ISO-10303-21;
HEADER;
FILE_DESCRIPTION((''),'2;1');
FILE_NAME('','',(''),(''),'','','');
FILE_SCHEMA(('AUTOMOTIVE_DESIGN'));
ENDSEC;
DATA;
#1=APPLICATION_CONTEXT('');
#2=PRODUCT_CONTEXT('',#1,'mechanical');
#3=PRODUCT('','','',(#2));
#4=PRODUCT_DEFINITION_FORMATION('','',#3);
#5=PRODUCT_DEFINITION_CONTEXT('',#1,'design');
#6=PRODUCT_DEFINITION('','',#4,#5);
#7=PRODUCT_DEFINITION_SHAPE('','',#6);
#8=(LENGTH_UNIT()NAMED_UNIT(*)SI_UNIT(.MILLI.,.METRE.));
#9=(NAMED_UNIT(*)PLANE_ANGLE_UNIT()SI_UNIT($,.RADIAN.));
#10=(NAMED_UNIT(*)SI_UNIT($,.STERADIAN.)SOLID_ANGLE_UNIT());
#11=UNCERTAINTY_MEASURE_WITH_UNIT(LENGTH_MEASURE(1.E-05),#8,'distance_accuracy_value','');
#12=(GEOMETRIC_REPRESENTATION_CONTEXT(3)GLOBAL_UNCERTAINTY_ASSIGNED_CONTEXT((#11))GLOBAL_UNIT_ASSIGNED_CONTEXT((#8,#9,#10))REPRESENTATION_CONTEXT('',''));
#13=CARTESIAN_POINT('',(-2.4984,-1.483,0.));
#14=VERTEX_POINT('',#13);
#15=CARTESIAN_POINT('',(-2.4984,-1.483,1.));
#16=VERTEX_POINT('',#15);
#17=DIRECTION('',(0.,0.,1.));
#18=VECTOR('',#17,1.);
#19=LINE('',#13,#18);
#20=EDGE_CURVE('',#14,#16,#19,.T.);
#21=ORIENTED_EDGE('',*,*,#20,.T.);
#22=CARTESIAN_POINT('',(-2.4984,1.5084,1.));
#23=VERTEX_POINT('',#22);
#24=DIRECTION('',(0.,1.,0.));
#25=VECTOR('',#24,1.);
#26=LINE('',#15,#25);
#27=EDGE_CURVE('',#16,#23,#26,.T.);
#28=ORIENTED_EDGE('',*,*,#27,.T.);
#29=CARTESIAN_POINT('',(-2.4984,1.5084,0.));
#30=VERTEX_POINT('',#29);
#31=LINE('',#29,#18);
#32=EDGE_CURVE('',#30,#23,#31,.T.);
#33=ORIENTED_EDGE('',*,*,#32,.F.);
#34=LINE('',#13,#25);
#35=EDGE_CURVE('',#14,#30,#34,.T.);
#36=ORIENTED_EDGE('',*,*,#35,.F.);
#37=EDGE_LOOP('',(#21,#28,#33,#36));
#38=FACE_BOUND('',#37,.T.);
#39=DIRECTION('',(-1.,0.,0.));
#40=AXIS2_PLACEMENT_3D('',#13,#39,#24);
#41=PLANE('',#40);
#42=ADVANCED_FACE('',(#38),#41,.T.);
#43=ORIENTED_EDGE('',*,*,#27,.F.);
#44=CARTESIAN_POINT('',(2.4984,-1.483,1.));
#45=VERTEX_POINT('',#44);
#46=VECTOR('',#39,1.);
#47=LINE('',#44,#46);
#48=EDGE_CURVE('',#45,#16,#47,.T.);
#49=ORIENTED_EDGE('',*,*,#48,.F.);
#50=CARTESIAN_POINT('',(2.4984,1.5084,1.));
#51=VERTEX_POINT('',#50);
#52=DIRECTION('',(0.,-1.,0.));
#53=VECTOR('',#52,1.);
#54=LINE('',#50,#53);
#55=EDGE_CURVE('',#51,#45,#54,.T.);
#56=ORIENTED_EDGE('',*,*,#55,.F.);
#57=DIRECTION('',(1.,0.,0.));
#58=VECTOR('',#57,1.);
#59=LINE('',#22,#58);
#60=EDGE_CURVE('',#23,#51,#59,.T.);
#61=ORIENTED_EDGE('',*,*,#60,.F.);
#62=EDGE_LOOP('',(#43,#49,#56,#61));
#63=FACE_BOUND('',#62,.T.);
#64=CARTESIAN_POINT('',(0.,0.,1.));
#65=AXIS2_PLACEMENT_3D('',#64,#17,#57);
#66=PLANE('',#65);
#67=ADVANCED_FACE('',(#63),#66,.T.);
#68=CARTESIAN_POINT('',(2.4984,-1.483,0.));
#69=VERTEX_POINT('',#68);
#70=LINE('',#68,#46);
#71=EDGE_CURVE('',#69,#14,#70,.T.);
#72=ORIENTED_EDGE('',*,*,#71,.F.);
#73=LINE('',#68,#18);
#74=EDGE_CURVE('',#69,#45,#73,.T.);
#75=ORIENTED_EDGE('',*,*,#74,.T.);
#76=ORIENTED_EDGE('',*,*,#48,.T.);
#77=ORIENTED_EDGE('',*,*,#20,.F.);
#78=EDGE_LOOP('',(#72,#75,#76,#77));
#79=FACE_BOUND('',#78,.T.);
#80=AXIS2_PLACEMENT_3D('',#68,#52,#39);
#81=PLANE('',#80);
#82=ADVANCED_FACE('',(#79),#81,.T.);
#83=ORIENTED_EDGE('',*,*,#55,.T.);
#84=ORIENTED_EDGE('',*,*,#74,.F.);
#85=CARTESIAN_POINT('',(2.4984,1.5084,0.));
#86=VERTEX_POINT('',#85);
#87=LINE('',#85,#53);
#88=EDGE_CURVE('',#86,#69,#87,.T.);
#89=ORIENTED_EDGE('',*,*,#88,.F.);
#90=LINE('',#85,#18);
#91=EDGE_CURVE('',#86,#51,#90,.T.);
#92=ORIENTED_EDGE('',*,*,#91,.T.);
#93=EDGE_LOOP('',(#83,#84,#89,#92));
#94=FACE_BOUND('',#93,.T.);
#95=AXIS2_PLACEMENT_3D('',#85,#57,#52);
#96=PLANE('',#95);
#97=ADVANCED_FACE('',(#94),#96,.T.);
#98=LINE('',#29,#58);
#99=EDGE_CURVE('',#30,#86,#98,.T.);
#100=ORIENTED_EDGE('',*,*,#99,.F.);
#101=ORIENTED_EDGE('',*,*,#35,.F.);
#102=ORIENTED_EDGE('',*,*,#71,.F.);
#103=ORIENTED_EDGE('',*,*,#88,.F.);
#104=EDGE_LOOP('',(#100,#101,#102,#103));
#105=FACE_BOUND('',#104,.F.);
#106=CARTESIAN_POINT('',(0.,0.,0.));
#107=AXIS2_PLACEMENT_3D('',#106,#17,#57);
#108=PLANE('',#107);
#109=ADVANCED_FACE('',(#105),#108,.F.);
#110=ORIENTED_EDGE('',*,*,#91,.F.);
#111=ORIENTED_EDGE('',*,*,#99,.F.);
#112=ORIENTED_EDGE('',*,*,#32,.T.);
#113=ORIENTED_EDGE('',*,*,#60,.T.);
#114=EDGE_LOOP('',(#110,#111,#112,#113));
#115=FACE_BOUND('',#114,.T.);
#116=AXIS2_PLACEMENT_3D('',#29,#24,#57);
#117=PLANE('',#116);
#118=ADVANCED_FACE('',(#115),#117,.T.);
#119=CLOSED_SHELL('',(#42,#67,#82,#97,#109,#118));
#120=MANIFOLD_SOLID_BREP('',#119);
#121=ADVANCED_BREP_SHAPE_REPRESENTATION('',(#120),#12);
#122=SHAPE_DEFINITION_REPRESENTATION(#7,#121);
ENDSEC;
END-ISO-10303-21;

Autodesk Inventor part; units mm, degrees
ref_plane "YZ Plane" through (0, 0, 0) normal (1, 0, 0) x (0, 1, 0)
ref_plane "XZ Plane" through (0, 0, 0) normal (0, 1, 0) x (-1, 0, 0)
ref_plane "XY Plane" through (0, 0, 0) normal (0, 0, 1) x (1, 0, 0)
sketch "M3216, 1K_100" plane through (0, 0, 0) normal (0, 0, 1) x (1, 0, 0)
  line L0 (-2.4984, 1.5084) -> (2.4984, 1.5084)
  line L1 (2.4984, 1.5084) -> (2.4984, -1.483)
  line L2 (2.4984, -1.483) -> (-2.4984, -1.483)
  line L3 (-2.4984, -1.483) -> (-2.4984, 1.5084)
extrude "Extrusion1" add sketch "M3216, 1K_100" along normal blind 1
properties part number "1K"
